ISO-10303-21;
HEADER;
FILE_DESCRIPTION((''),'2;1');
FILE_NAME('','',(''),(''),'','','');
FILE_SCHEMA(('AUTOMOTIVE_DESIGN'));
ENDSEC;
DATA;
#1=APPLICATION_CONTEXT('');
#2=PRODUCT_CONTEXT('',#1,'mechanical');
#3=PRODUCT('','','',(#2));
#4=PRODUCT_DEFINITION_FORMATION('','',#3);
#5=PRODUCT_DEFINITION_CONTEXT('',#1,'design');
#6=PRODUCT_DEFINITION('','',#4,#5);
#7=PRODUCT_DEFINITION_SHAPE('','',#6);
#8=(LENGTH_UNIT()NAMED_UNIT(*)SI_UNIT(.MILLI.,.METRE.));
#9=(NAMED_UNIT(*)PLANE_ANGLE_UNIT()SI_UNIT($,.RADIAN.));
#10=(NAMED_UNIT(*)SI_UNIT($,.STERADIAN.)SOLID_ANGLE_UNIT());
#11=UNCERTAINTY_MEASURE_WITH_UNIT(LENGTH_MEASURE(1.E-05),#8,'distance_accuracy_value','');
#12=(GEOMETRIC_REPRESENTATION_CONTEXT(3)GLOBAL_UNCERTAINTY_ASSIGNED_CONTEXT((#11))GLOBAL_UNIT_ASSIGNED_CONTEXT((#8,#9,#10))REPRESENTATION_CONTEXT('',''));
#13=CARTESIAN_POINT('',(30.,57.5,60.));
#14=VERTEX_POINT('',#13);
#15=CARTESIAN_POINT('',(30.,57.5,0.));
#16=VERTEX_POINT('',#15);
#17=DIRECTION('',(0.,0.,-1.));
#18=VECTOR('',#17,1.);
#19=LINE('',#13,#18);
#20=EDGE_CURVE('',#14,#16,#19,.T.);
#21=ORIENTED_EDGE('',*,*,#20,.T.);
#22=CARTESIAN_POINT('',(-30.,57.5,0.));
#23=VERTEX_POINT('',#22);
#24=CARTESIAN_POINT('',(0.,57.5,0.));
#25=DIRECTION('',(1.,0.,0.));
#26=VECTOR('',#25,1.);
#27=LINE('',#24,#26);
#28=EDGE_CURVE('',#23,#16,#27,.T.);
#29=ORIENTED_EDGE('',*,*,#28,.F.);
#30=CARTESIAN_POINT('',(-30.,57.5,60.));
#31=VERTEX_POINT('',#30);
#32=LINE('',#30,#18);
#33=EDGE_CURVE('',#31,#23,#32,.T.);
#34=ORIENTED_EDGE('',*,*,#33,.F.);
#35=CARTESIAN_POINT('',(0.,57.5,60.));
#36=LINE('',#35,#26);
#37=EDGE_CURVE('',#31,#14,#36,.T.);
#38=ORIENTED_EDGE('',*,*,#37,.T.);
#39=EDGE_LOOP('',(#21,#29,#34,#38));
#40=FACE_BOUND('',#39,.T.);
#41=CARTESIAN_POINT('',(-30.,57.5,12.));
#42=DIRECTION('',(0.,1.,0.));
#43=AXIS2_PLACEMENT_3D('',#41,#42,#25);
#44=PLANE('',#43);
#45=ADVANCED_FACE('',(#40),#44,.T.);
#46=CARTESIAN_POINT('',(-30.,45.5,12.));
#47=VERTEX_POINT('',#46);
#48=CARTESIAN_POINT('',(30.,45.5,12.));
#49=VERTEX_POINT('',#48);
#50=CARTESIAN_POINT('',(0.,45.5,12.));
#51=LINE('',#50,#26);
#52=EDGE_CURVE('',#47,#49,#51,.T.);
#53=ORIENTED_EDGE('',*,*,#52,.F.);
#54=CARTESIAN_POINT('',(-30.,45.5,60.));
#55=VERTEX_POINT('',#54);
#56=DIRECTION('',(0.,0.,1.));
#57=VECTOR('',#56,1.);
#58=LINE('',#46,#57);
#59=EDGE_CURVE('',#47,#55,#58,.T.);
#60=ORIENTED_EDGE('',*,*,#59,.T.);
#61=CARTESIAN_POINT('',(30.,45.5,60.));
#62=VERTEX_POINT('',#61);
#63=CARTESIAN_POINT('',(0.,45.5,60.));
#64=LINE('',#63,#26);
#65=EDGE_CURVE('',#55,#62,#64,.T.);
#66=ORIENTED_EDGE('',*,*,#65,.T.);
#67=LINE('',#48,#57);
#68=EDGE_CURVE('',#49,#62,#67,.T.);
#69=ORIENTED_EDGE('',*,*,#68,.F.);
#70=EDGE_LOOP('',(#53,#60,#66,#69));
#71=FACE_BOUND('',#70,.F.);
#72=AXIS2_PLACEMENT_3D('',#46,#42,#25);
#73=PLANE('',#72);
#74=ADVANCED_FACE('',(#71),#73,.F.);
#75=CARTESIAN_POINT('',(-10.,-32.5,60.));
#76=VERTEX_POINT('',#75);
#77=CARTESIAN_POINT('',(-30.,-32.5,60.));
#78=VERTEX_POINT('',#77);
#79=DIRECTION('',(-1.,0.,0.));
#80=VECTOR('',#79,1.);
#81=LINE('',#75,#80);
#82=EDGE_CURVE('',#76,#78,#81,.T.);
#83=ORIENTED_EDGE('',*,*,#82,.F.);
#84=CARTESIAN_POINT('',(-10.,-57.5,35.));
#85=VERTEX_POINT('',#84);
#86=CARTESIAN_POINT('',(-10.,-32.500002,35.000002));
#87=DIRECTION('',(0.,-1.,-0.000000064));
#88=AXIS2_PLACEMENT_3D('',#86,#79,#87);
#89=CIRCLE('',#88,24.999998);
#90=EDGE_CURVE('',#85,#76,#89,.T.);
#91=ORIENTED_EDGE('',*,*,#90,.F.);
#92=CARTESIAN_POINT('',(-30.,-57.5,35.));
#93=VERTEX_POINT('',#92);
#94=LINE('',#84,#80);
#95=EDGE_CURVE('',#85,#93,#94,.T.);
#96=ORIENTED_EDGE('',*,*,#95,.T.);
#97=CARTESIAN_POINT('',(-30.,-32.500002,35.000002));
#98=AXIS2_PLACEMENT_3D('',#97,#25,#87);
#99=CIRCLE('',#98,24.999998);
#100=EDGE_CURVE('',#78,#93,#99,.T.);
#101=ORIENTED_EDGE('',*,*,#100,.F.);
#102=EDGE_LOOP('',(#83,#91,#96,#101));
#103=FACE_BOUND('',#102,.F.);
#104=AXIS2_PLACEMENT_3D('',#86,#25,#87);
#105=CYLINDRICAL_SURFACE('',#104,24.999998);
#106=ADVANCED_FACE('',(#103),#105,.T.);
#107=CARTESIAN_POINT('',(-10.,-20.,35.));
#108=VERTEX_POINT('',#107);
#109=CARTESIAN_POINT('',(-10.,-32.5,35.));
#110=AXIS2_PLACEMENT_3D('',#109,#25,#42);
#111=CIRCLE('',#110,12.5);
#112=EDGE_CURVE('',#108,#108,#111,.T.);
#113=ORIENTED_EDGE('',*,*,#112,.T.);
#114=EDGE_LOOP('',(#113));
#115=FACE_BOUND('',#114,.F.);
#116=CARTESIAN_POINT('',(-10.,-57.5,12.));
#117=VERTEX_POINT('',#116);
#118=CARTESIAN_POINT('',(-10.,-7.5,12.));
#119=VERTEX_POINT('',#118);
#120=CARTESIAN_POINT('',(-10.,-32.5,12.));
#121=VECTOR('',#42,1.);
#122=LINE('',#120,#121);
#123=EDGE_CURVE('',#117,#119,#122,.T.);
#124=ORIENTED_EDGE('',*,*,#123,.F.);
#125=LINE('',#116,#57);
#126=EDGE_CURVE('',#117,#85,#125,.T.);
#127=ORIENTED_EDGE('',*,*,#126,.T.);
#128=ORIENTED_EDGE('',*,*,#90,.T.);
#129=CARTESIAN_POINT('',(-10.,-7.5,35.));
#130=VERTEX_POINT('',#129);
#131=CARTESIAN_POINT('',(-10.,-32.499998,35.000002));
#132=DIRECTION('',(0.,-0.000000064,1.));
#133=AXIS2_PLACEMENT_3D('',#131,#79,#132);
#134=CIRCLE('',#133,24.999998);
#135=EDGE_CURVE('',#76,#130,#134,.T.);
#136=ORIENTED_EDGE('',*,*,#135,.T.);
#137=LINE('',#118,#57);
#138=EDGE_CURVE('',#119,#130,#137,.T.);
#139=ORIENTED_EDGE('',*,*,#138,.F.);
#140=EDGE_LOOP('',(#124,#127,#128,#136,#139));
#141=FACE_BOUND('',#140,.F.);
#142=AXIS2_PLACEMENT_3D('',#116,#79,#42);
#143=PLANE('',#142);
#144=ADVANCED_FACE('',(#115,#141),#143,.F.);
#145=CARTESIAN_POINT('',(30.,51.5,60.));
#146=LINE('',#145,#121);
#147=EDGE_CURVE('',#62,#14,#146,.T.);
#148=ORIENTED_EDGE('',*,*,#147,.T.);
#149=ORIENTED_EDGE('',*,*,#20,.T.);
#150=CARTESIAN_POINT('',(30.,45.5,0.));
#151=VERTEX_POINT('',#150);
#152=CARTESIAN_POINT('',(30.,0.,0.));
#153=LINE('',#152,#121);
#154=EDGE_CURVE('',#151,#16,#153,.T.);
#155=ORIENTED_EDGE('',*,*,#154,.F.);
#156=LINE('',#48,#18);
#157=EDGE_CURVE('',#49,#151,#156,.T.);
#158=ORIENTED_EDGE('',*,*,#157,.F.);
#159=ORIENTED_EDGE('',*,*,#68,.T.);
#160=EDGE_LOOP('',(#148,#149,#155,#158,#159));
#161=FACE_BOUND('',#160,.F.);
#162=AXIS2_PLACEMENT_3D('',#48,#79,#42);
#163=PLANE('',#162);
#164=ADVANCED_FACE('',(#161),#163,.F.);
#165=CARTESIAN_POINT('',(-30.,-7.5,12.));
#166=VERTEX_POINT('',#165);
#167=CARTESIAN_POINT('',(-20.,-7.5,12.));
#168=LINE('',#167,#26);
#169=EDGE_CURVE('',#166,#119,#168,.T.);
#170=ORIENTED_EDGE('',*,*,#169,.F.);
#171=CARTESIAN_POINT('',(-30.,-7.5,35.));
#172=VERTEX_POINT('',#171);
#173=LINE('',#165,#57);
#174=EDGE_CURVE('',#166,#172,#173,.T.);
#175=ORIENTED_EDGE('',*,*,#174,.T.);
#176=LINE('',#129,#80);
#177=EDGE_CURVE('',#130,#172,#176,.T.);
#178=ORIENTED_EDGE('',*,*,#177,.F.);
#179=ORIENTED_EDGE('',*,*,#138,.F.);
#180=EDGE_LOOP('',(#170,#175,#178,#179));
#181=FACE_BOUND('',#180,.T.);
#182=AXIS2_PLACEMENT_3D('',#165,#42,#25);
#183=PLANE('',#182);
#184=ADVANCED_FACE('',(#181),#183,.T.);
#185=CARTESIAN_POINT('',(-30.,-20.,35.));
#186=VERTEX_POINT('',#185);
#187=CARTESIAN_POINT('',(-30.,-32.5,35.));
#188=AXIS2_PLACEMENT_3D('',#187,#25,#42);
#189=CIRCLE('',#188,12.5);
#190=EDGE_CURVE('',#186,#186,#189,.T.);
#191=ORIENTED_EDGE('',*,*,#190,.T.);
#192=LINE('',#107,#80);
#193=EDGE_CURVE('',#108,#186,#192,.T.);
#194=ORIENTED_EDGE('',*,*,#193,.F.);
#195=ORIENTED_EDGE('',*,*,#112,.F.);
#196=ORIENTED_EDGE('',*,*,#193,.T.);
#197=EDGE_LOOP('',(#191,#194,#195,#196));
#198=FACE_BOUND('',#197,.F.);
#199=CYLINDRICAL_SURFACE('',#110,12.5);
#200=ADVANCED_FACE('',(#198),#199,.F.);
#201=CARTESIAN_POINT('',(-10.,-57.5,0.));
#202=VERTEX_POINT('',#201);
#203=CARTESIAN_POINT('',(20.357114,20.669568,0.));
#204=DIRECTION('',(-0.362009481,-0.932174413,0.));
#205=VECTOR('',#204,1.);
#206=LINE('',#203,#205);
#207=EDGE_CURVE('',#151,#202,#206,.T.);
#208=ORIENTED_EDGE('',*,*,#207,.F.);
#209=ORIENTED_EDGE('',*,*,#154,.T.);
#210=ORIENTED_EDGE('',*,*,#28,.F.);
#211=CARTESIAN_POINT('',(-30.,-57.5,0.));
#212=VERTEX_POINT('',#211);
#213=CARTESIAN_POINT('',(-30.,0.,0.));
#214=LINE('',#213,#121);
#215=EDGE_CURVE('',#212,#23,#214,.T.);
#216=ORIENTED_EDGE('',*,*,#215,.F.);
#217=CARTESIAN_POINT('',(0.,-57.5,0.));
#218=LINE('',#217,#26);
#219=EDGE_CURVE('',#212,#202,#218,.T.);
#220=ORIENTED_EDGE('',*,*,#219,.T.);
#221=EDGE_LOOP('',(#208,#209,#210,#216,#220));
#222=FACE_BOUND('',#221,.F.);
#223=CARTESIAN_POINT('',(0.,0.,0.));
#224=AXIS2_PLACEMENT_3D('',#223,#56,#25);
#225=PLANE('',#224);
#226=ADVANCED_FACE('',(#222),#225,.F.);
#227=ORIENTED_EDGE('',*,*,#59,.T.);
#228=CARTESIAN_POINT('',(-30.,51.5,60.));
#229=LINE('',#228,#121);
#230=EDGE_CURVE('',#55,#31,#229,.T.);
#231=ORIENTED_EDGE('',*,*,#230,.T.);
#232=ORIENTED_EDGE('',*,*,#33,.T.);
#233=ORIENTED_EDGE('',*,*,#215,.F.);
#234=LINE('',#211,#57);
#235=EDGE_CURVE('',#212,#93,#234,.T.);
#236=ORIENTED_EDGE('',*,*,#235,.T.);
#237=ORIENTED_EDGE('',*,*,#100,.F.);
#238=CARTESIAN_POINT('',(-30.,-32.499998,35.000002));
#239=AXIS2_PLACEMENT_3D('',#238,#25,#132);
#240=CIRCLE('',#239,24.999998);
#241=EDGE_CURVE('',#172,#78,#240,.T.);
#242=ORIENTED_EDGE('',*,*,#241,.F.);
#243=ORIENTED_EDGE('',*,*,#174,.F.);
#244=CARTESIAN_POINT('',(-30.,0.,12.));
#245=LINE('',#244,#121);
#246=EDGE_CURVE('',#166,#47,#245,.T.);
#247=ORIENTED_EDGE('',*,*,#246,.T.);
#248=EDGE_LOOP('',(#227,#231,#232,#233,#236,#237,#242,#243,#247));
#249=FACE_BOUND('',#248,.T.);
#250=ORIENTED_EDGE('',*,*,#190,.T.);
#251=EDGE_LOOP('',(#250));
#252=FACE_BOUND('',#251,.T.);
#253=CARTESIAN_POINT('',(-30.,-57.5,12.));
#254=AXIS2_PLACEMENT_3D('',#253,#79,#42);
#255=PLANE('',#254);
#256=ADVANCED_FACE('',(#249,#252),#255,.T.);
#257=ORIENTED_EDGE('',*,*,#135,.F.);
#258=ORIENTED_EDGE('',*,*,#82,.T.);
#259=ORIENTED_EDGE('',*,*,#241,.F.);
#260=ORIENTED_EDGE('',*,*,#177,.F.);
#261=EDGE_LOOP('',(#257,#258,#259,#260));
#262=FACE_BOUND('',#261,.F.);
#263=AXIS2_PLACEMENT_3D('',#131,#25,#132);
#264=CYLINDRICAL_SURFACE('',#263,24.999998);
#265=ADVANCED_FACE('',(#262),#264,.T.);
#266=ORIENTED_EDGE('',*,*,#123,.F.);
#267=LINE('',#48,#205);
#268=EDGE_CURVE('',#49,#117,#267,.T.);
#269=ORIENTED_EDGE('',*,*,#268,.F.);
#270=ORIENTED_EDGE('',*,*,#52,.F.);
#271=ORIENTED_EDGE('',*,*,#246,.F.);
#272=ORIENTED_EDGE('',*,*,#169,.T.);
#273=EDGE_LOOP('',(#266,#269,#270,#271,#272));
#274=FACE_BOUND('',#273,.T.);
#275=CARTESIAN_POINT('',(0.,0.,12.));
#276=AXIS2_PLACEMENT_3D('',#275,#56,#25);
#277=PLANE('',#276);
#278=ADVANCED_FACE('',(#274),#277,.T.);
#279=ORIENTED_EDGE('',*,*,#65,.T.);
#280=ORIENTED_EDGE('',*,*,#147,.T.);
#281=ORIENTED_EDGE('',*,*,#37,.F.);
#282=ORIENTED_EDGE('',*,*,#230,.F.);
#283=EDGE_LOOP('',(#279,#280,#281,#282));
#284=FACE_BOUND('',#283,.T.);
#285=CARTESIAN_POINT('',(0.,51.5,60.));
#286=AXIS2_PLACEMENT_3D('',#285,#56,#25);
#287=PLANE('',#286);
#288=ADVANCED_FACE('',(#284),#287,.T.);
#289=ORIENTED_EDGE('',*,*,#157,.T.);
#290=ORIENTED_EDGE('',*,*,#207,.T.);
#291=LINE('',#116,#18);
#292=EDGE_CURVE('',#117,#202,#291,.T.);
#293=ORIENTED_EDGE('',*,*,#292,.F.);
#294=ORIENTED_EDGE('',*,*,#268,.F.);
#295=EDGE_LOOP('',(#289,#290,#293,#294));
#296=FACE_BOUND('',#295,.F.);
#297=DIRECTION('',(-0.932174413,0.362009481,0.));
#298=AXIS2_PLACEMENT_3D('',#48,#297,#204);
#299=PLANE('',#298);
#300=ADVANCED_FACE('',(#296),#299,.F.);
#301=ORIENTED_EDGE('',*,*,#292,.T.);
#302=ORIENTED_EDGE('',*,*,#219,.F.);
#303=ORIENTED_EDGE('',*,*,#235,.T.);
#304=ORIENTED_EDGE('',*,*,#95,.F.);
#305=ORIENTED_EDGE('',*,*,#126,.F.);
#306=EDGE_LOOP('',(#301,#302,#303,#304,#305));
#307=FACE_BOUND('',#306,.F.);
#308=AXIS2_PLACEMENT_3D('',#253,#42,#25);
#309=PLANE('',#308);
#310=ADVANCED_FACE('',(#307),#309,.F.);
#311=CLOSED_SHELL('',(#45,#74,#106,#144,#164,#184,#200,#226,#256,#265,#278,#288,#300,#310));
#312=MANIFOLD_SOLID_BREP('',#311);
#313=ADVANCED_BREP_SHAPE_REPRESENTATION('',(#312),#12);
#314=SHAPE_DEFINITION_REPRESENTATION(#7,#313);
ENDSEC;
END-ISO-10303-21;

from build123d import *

# Parameters (mm, degrees)
F0_W      = 60
F0_H      = 115
F1_DEPTH  = 12
F2_W      = 60
F2_H      = 12
F3_DEPTH  = 48
F4_W      = 20
F4_H      = 50
F5_DEPTH  = 48
F6_R      = 12.5
F7_DEPTH  = 20.001
F9_DEPTH  = 20.001
F11_DEPTH = 12.001


with BuildPart() as f1:
    # F0 (on Top) → F1 (new body)
    with BuildSketch(Plane.XY):
        Rectangle(F0_W, F0_H)
    extrude(amount=F1_DEPTH)

    # F2 (on face) → F3 (join)
    with BuildSketch(Plane.XY.offset(12)):
        with Locations((0, 51.5)):
            Rectangle(F2_W, F2_H)
    extrude(amount=F3_DEPTH)

    # F4 (on face) → F5 (join)
    with BuildSketch(Plane.XY.offset(12)):
        with Locations((-20, -32.5)):
            Rectangle(F4_W, F4_H)
    extrude(amount=F5_DEPTH)

    # F6 (on face) → F7 (cut, through all)
    with BuildSketch(Plane.YZ.offset(-10)):
        with Locations((-32.5, 35)):
            Circle(F6_R)
    extrude(amount=-F7_DEPTH, mode=Mode.SUBTRACT)

    # F8 (on face) → F9 (cut, through all)
    with BuildSketch(Plane.YZ.offset(-10)):
        with BuildLine():
            ThreePointArc((-57.5, 35), (-50.17767, 52.67767), (-32.5, 60))
            Line((-32.5, 60), (-57.5, 60))
            Line((-57.5, 60), (-57.5, 35))
        make_face()
        with BuildLine():
            ThreePointArc((-32.5, 60), (-14.82233, 52.67767), (-7.5, 35))
            Line((-7.5, 35), (-7.5, 60))
            Line((-7.5, 60), (-32.5, 60))
        make_face()
    extrude(amount=-F9_DEPTH, mode=Mode.SUBTRACT)

    # F10 (on face) → F11 (cut, through all)
    with BuildSketch(Plane.XY.offset(12)):
        Polygon((30, 45.5), (-10, -57.5), (30, -57.5), align=None)
    extrude(amount=-F11_DEPTH, mode=Mode.SUBTRACT)


solid = f1.part
